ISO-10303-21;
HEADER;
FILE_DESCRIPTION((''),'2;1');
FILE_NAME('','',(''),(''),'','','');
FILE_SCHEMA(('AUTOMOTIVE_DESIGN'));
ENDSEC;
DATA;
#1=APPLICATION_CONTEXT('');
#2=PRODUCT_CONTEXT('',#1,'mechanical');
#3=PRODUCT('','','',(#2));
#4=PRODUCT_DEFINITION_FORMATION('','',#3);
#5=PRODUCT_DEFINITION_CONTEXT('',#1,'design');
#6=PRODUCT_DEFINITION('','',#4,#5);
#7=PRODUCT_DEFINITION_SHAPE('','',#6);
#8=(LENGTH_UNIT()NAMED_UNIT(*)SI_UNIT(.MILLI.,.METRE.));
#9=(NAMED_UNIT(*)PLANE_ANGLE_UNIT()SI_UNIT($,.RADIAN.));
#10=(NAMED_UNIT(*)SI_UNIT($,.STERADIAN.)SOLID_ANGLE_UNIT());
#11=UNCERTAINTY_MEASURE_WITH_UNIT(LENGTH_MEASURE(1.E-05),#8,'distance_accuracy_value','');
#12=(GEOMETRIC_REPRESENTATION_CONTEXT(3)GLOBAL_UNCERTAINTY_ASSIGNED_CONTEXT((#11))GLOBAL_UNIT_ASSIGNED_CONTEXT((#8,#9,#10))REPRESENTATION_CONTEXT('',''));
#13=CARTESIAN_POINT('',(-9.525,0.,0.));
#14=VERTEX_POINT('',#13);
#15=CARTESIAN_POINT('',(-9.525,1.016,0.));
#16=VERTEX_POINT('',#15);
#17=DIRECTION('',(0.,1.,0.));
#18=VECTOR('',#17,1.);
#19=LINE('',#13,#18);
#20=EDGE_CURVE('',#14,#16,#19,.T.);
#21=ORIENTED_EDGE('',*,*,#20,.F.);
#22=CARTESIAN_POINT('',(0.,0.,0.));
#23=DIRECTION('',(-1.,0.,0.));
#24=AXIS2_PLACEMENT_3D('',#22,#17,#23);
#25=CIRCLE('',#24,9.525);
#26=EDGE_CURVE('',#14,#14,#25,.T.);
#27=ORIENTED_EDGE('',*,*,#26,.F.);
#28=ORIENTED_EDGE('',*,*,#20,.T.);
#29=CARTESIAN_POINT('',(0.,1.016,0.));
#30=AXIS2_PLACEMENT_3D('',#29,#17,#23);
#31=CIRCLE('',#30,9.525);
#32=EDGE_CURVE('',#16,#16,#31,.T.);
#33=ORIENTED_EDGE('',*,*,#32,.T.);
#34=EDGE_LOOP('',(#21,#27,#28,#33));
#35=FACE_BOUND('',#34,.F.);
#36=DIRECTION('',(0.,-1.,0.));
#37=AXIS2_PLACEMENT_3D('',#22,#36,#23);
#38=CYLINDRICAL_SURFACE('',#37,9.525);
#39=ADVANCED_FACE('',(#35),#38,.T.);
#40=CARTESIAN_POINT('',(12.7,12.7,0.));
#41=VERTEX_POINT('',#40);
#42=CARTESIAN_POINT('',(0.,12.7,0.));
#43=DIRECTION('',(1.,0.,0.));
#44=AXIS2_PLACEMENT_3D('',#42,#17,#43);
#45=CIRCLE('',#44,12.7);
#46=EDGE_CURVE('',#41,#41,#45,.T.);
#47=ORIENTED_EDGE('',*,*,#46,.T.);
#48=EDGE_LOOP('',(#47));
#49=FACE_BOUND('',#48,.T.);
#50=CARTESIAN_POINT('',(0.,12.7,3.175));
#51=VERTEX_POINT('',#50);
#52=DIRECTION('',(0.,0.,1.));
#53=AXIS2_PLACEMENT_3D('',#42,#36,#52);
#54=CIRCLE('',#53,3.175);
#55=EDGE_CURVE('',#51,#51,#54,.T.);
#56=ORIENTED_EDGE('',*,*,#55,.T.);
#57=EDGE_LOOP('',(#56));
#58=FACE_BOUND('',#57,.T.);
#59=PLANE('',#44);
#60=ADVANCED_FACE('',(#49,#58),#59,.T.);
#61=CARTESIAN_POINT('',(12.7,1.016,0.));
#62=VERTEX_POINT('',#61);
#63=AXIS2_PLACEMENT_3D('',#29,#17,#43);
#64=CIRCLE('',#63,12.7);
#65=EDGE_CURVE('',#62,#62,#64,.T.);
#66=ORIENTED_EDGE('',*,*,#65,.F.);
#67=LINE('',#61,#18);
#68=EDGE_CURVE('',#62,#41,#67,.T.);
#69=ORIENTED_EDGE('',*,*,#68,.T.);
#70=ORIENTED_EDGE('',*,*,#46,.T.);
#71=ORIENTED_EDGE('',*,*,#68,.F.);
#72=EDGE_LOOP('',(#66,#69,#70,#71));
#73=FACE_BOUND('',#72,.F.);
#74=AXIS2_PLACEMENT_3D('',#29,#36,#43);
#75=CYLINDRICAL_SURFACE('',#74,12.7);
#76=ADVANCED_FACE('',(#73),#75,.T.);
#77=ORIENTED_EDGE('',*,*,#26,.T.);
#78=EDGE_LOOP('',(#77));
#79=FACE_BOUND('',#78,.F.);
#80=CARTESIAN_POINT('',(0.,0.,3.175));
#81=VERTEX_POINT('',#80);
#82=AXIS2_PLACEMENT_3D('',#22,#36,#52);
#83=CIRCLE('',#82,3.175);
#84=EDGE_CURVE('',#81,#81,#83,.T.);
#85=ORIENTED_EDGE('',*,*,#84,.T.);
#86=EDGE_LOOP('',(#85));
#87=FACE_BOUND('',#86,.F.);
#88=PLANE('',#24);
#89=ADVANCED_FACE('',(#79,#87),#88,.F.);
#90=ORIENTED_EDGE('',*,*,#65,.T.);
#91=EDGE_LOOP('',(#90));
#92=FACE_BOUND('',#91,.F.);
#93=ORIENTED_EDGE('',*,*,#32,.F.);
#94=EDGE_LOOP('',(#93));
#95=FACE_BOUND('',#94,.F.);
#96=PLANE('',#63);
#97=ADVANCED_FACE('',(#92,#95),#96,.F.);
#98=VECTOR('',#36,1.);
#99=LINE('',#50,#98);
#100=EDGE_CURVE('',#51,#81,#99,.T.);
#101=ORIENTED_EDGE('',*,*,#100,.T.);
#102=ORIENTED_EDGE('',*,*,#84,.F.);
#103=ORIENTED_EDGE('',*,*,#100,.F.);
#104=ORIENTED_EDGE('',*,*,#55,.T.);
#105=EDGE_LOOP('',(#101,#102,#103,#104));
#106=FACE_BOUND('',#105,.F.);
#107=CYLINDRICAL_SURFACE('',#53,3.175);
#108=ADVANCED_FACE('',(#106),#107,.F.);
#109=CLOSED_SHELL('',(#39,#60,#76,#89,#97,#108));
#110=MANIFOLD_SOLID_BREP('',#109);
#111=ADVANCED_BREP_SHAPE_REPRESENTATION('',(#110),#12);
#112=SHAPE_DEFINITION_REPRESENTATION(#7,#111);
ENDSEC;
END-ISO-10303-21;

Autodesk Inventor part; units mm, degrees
ref_plane "YZ Plane" through (0, 0, 0) normal (1, 0, 0) x (0, 1, 0)
ref_plane "XZ Plane" through (0, 0, 0) normal (0, 1, 0) x (-1, 0, 0)
ref_plane "XY Plane" through (0, 0, 0) normal (0, 0, 1) x (1, 0, 0)
sketch "Sketch1" plane through (0, 0, 0) normal (0, 1, 0) x (-1, 0, 0)
  circle A0 centre (0, 0) radius 9.525
  dimension "d0" = 19.05
extrude "Extrusion1" add sketch "Sketch1" along normal blind 1.016
sketch "Sketch2" plane through (0, 1.016, 0) normal (0, 1, 0) x (1, 0, 0)
  circle A0 centre (0, 0) radius 9.525 projected
  circle A1 centre (0, 0) radius 12.7
  dimension "d3" = 25.4
extrude "Extrusion2" add sketch "Sketch2" along normal blind 11.684 contours A0 | A1
hole "Hole1" at (0, 12.7, 0) direction (0, -1, 0) diameter 6.35 end through all
properties part number "Wing-Nut-Spacing-Test"
